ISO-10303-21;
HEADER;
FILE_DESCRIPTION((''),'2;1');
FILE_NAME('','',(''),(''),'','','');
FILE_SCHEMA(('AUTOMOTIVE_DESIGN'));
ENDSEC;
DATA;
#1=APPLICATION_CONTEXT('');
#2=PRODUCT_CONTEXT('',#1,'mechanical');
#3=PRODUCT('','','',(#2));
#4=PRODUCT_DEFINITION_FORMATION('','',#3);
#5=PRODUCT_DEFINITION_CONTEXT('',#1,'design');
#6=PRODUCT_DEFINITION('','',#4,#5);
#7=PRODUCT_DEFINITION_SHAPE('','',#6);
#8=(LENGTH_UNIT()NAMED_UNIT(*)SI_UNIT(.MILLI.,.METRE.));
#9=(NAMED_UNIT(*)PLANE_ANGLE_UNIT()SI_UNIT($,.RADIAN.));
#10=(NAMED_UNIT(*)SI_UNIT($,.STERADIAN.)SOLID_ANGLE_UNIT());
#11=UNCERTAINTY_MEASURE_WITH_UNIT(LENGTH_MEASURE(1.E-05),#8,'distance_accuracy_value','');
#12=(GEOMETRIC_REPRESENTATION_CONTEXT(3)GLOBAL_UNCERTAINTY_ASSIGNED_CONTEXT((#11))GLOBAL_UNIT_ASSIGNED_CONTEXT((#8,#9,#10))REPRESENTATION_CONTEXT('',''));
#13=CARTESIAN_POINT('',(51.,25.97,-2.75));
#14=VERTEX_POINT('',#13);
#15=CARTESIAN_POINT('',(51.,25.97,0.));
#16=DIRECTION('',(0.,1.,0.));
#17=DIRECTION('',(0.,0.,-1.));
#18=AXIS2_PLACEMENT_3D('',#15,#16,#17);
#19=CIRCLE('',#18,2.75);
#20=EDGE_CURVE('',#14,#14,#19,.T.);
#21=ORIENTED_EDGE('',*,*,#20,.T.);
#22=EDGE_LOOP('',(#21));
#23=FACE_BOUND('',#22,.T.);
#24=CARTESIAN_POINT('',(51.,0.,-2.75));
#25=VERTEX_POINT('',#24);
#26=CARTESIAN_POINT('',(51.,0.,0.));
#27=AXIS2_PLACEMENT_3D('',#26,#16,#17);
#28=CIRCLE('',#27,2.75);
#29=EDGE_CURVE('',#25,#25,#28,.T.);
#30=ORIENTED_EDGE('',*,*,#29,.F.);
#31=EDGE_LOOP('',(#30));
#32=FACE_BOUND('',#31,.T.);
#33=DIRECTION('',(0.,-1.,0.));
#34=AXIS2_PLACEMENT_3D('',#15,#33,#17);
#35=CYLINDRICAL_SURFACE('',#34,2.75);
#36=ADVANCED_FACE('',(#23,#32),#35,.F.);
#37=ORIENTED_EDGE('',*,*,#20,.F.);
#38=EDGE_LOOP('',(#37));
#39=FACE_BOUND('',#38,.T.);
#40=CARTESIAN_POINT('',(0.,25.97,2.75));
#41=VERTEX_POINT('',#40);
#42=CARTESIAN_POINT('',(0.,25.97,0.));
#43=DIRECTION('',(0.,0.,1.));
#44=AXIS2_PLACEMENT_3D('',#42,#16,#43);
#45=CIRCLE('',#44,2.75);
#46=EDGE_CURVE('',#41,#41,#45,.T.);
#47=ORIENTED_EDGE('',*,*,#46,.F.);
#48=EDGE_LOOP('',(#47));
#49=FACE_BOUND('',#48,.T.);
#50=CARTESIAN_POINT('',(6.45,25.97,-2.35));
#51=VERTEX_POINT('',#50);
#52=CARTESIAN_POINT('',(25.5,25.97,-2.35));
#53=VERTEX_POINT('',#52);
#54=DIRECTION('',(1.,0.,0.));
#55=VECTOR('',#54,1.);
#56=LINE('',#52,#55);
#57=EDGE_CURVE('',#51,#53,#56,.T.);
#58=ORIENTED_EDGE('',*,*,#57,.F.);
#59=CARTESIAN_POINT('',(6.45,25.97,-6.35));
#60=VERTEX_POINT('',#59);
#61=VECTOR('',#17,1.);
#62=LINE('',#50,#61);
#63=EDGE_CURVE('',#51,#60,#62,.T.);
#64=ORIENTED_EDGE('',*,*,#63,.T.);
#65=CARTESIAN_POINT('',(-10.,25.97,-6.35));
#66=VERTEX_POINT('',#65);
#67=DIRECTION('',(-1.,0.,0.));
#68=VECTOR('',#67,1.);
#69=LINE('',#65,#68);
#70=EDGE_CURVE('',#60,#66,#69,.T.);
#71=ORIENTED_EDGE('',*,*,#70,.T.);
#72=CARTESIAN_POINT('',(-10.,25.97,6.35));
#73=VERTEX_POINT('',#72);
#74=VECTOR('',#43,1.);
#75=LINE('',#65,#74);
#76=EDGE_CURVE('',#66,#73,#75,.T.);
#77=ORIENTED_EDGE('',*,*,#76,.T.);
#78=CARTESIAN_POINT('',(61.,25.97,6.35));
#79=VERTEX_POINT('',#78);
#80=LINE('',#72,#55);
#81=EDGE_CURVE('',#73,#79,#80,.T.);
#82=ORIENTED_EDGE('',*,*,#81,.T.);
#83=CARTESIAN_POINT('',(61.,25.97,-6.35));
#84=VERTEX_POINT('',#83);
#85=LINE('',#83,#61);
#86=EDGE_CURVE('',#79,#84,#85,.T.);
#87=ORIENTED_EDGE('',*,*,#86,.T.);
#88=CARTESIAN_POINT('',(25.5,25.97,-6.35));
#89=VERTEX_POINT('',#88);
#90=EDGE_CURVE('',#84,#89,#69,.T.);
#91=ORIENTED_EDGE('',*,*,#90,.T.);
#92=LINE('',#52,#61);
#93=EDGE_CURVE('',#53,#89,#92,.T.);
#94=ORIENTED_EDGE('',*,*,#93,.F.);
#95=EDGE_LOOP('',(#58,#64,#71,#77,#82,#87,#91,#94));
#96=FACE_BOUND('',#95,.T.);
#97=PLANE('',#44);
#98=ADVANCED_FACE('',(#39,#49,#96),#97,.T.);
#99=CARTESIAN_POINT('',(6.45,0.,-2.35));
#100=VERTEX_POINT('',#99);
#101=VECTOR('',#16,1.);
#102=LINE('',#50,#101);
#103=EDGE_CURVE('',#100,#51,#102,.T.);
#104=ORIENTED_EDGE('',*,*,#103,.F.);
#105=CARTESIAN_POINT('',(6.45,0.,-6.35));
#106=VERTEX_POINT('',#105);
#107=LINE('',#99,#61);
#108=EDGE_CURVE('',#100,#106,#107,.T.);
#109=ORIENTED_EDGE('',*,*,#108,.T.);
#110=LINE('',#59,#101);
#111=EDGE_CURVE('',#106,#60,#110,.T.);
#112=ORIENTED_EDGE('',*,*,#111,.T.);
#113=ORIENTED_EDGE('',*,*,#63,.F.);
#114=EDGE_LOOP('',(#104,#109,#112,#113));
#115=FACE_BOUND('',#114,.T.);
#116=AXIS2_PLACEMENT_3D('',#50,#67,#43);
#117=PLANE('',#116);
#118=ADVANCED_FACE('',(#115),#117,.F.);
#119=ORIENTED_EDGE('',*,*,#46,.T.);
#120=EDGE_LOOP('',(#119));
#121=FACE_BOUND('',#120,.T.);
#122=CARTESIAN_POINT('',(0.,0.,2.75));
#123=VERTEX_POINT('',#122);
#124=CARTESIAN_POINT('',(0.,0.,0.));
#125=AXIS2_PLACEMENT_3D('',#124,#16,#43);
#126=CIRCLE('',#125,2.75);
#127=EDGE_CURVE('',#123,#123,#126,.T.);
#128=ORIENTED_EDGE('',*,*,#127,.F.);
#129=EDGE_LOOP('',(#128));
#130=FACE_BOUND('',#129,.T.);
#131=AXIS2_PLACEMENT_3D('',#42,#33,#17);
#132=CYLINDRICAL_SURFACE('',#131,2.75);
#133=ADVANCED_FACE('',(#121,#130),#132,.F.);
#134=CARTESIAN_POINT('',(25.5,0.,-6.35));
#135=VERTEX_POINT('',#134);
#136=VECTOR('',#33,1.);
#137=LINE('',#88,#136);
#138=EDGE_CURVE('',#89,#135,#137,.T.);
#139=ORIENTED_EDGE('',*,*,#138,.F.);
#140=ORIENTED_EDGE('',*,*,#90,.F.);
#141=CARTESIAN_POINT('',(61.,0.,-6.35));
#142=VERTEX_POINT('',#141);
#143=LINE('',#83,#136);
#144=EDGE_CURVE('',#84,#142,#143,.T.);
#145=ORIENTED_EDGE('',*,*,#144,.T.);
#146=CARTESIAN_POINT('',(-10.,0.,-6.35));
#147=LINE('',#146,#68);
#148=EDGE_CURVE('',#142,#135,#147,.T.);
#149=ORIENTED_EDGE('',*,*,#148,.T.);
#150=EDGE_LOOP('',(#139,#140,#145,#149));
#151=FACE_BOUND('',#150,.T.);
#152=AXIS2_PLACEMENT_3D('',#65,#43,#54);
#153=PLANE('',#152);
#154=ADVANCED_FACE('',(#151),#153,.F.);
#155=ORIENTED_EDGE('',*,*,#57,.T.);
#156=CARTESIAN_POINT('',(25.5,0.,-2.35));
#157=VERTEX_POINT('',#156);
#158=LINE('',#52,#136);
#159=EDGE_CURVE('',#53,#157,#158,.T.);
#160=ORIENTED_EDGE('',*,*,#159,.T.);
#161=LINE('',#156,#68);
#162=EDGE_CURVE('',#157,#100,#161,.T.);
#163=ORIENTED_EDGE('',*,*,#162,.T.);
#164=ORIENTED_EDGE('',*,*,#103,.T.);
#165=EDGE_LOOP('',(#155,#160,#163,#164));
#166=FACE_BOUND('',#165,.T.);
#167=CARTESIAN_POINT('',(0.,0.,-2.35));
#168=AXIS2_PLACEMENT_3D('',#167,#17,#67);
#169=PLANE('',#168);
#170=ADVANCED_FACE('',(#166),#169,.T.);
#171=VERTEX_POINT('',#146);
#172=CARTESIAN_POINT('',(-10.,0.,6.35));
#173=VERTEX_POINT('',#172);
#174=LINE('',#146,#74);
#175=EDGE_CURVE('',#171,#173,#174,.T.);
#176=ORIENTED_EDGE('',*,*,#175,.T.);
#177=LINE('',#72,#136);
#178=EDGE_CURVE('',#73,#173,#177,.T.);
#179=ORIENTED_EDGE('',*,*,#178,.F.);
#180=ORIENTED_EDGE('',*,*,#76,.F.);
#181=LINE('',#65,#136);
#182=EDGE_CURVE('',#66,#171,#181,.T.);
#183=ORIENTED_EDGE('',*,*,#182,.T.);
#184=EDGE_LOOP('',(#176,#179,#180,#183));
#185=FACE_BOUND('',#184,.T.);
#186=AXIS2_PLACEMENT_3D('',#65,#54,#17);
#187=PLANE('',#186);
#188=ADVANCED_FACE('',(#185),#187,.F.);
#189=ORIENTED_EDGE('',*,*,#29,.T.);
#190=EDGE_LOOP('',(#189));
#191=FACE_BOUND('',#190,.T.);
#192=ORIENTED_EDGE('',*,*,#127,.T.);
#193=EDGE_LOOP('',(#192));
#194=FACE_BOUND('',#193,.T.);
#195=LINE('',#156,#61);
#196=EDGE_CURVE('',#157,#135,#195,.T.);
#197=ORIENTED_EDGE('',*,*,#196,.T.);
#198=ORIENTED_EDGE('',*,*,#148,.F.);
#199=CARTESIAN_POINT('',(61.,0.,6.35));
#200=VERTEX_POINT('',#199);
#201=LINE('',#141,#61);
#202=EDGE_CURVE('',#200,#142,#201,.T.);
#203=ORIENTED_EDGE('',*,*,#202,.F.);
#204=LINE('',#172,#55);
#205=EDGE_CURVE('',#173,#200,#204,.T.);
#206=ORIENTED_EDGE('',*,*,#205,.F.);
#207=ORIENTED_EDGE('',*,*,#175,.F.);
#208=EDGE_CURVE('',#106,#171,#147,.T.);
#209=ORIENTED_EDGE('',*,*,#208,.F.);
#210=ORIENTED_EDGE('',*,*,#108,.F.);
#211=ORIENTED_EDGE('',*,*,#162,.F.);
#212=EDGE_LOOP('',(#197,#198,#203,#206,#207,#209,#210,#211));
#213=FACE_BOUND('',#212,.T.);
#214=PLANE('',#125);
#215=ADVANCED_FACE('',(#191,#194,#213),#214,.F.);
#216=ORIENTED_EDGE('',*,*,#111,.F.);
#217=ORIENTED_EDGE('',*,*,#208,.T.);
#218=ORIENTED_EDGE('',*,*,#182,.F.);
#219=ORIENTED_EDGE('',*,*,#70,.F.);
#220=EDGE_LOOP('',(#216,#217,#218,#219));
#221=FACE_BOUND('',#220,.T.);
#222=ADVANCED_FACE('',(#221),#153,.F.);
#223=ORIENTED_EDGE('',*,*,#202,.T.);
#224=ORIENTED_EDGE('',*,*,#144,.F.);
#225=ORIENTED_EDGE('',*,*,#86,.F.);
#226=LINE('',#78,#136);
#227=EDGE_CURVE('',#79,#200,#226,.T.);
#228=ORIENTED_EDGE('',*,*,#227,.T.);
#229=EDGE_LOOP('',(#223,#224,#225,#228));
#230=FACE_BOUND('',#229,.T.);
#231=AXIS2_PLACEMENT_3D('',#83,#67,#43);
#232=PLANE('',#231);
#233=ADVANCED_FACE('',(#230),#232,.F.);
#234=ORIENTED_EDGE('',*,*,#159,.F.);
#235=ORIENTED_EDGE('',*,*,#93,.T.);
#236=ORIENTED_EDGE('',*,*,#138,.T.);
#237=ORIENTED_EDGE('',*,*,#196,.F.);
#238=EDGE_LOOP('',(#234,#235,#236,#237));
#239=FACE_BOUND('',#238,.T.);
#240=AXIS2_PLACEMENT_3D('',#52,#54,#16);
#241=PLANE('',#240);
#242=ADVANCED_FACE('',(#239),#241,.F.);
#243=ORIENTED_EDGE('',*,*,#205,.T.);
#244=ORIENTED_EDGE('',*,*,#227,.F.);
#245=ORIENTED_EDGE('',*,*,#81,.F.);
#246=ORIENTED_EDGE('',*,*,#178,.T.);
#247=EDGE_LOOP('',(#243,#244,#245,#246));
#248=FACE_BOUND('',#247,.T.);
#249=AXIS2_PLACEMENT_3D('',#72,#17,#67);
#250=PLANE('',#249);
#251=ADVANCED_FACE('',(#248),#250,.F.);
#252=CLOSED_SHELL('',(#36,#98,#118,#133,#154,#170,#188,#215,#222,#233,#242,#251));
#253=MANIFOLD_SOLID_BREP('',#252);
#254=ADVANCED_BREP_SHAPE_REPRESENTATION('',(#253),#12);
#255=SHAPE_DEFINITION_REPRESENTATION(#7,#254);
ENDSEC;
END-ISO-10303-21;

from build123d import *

# Parameters (mm, degrees)
SKETCH1_W           = 71
SKETCH1_H           = 12.7
SKETCH1_R           = 2.75
BOSS_EXTRUDE1_DEPTH = 25.97
SKETCH2_W           = 19.05
SKETCH2_H           = 25.97
CUT_EXTRUDE1_DEPTH  = 4


with BuildPart() as part:
    # Sketch1 → Boss-Extrude1 (new body)
    with BuildSketch(Plane(origin=(0, 0, 0), x_dir=(1, 0, 0), z_dir=(0, 1, 0))):
        with Locations((25.5, 0)):
            Rectangle(SKETCH1_W, SKETCH1_H)
        with Locations(Location((0, 0, 0), (0, 0, 270))):
            Circle(SKETCH1_R, mode=Mode.SUBTRACT)
        with Locations(Location((51, 0, 0), (0, 0, 90))):
            Circle(SKETCH1_R, mode=Mode.SUBTRACT)
    extrude(amount=BOSS_EXTRUDE1_DEPTH)

    # Sketch2 → Cut-Extrude1 (cut)
    with BuildSketch(Plane(origin=(0, 0, -6.35), x_dir=(-1, 0, 0), z_dir=(0, 0, -1))):
        with Locations((-15.975, 12.985)):
            Rectangle(SKETCH2_W, SKETCH2_H)
    extrude(amount=-CUT_EXTRUDE1_DEPTH, mode=Mode.SUBTRACT)


solid = part.part
